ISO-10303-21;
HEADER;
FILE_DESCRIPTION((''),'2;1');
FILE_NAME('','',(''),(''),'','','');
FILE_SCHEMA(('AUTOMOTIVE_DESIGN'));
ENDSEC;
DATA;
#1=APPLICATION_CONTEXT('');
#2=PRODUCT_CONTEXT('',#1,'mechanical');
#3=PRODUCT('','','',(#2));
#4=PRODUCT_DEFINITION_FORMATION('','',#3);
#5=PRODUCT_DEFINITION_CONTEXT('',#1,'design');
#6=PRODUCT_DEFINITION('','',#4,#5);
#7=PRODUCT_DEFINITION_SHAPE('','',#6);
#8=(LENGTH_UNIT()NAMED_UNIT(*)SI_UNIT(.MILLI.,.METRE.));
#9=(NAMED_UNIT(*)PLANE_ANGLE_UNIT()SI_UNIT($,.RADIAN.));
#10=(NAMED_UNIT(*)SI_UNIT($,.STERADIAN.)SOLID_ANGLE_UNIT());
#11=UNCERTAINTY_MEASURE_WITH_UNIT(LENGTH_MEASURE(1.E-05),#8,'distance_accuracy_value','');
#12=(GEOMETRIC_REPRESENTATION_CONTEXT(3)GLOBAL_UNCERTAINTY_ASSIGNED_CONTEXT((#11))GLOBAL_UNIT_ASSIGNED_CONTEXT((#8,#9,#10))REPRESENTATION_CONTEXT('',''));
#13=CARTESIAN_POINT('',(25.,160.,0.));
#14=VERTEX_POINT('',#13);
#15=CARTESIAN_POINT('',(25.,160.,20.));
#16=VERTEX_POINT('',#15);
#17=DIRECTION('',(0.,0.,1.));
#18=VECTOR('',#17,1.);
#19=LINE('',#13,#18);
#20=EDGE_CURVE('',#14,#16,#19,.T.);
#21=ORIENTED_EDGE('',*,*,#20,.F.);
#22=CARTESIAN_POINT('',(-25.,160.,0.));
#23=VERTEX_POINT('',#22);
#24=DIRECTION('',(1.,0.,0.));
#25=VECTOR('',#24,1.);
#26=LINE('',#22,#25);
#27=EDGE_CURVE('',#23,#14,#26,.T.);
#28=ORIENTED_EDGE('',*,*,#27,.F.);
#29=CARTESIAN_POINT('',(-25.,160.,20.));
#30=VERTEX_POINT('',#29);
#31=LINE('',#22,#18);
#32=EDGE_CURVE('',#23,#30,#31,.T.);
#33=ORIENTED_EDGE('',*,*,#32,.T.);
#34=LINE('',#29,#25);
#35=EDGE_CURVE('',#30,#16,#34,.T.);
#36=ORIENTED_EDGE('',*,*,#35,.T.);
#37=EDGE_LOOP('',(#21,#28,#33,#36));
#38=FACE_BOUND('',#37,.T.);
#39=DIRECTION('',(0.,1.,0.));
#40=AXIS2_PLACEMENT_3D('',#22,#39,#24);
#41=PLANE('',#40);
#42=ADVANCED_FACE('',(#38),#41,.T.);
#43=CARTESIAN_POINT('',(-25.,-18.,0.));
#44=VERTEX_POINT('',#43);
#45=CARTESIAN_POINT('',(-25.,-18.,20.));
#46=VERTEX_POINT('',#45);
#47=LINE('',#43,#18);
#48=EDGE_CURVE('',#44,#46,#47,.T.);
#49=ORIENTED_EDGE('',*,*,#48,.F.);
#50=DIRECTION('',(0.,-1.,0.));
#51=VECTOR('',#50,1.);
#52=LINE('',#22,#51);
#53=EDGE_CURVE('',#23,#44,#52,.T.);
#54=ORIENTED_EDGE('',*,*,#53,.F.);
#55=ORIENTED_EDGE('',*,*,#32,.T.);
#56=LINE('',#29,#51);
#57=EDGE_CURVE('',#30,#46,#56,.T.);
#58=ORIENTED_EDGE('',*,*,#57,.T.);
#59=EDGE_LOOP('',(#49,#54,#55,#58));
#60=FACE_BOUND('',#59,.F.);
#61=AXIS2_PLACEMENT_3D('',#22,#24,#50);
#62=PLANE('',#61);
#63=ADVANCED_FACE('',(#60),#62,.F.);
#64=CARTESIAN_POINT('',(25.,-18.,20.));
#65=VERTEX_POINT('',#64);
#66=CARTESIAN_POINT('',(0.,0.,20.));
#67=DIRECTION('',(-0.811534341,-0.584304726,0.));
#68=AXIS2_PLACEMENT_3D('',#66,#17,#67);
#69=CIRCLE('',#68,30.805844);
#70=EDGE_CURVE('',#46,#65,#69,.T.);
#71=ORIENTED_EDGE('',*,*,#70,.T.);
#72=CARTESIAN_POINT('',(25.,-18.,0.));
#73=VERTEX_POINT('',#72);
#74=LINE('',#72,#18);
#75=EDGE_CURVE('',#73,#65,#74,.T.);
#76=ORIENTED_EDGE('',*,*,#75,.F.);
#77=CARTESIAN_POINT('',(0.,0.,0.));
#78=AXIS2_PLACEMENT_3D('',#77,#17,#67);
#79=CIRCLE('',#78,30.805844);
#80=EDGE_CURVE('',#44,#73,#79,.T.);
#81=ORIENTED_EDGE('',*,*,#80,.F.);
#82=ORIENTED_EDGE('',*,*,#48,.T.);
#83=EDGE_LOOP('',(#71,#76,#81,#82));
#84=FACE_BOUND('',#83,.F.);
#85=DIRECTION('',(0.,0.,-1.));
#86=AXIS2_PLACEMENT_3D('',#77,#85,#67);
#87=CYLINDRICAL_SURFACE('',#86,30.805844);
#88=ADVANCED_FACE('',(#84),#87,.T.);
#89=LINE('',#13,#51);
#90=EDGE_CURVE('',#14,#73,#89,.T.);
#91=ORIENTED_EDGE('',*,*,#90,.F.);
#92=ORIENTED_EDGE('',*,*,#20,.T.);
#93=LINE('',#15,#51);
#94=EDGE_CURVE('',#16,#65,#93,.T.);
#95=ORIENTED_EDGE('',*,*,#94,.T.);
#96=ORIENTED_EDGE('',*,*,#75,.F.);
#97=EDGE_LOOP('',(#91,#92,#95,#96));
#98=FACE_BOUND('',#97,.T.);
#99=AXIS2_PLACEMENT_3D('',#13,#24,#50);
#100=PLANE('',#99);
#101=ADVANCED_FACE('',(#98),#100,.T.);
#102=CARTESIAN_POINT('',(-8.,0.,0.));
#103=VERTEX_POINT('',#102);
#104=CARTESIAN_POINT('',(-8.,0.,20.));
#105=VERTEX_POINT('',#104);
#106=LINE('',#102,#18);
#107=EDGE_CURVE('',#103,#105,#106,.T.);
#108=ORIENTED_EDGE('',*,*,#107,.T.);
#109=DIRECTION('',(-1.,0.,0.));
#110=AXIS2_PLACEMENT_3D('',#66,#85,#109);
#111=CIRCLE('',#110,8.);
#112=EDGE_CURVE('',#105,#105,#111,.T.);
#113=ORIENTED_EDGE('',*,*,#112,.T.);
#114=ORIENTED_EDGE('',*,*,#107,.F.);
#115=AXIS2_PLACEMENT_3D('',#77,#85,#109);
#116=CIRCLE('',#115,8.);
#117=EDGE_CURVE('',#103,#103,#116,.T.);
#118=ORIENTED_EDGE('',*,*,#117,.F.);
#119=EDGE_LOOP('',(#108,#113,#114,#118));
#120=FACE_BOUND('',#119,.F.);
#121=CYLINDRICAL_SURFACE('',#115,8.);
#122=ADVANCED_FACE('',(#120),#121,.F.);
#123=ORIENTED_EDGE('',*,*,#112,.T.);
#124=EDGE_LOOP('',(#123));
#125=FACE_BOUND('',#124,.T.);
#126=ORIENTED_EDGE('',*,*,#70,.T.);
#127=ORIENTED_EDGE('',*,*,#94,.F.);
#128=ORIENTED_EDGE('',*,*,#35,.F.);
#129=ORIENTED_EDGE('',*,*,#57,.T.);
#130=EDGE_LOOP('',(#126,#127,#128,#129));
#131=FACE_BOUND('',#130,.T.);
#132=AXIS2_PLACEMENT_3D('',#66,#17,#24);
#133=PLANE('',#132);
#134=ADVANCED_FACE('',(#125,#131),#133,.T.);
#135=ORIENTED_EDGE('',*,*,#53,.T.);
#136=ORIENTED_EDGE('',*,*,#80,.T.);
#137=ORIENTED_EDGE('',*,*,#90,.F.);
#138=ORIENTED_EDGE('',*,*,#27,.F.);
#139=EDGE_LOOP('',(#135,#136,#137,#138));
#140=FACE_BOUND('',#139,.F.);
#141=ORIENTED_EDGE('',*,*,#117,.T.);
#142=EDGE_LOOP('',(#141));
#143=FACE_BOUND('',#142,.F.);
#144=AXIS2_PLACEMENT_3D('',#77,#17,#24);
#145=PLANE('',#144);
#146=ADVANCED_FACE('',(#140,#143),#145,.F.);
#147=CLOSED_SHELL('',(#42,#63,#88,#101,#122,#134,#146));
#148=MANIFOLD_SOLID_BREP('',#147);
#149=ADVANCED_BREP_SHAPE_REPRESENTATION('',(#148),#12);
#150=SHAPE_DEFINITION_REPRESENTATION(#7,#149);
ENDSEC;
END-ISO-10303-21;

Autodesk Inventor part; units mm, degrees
ref_plane "YZ Plane" through (0, 0, 0) normal (1, 0, 0) x (0, 1, 0)
ref_plane "XZ Plane" through (0, 0, 0) normal (0, 1, 0) x (-1, 0, 0)
ref_plane "XY Plane" through (0, 0, 0) normal (0, 0, 1) x (1, 0, 0)
sketch "Sketch1" plane through (0, 0, 0) normal (0, 0, 1) x (1, 0, 0)
  line L0 (-25, 160) -> (25, 160)
  line L1 (25, 160) -> (25, -18)
  line L2 (-25, 160) -> (-25, -18)
  arc A0 (-25, -18) -> (25, -18) centre (0, 0) ccw
  dimension "d62" = 90
  dimension "d63" = 160
  dimension "d64" = 50
  dimension "d65" = 18
extrude "Extrusion1" add sketch "Sketch1" along normal blind 20
sketch "Sketch10" plane through (0, 0, 0) normal (0, 0, -1) x (-1, 0, 0)
  circle A0 centre (0, 0) radius 8
  dimension "d54" = 16
extrude "Extrusion7" cut sketch "Sketch10" against normal through all
properties part number "Throttle Arm" material "Aluminum 6061-AHC"
